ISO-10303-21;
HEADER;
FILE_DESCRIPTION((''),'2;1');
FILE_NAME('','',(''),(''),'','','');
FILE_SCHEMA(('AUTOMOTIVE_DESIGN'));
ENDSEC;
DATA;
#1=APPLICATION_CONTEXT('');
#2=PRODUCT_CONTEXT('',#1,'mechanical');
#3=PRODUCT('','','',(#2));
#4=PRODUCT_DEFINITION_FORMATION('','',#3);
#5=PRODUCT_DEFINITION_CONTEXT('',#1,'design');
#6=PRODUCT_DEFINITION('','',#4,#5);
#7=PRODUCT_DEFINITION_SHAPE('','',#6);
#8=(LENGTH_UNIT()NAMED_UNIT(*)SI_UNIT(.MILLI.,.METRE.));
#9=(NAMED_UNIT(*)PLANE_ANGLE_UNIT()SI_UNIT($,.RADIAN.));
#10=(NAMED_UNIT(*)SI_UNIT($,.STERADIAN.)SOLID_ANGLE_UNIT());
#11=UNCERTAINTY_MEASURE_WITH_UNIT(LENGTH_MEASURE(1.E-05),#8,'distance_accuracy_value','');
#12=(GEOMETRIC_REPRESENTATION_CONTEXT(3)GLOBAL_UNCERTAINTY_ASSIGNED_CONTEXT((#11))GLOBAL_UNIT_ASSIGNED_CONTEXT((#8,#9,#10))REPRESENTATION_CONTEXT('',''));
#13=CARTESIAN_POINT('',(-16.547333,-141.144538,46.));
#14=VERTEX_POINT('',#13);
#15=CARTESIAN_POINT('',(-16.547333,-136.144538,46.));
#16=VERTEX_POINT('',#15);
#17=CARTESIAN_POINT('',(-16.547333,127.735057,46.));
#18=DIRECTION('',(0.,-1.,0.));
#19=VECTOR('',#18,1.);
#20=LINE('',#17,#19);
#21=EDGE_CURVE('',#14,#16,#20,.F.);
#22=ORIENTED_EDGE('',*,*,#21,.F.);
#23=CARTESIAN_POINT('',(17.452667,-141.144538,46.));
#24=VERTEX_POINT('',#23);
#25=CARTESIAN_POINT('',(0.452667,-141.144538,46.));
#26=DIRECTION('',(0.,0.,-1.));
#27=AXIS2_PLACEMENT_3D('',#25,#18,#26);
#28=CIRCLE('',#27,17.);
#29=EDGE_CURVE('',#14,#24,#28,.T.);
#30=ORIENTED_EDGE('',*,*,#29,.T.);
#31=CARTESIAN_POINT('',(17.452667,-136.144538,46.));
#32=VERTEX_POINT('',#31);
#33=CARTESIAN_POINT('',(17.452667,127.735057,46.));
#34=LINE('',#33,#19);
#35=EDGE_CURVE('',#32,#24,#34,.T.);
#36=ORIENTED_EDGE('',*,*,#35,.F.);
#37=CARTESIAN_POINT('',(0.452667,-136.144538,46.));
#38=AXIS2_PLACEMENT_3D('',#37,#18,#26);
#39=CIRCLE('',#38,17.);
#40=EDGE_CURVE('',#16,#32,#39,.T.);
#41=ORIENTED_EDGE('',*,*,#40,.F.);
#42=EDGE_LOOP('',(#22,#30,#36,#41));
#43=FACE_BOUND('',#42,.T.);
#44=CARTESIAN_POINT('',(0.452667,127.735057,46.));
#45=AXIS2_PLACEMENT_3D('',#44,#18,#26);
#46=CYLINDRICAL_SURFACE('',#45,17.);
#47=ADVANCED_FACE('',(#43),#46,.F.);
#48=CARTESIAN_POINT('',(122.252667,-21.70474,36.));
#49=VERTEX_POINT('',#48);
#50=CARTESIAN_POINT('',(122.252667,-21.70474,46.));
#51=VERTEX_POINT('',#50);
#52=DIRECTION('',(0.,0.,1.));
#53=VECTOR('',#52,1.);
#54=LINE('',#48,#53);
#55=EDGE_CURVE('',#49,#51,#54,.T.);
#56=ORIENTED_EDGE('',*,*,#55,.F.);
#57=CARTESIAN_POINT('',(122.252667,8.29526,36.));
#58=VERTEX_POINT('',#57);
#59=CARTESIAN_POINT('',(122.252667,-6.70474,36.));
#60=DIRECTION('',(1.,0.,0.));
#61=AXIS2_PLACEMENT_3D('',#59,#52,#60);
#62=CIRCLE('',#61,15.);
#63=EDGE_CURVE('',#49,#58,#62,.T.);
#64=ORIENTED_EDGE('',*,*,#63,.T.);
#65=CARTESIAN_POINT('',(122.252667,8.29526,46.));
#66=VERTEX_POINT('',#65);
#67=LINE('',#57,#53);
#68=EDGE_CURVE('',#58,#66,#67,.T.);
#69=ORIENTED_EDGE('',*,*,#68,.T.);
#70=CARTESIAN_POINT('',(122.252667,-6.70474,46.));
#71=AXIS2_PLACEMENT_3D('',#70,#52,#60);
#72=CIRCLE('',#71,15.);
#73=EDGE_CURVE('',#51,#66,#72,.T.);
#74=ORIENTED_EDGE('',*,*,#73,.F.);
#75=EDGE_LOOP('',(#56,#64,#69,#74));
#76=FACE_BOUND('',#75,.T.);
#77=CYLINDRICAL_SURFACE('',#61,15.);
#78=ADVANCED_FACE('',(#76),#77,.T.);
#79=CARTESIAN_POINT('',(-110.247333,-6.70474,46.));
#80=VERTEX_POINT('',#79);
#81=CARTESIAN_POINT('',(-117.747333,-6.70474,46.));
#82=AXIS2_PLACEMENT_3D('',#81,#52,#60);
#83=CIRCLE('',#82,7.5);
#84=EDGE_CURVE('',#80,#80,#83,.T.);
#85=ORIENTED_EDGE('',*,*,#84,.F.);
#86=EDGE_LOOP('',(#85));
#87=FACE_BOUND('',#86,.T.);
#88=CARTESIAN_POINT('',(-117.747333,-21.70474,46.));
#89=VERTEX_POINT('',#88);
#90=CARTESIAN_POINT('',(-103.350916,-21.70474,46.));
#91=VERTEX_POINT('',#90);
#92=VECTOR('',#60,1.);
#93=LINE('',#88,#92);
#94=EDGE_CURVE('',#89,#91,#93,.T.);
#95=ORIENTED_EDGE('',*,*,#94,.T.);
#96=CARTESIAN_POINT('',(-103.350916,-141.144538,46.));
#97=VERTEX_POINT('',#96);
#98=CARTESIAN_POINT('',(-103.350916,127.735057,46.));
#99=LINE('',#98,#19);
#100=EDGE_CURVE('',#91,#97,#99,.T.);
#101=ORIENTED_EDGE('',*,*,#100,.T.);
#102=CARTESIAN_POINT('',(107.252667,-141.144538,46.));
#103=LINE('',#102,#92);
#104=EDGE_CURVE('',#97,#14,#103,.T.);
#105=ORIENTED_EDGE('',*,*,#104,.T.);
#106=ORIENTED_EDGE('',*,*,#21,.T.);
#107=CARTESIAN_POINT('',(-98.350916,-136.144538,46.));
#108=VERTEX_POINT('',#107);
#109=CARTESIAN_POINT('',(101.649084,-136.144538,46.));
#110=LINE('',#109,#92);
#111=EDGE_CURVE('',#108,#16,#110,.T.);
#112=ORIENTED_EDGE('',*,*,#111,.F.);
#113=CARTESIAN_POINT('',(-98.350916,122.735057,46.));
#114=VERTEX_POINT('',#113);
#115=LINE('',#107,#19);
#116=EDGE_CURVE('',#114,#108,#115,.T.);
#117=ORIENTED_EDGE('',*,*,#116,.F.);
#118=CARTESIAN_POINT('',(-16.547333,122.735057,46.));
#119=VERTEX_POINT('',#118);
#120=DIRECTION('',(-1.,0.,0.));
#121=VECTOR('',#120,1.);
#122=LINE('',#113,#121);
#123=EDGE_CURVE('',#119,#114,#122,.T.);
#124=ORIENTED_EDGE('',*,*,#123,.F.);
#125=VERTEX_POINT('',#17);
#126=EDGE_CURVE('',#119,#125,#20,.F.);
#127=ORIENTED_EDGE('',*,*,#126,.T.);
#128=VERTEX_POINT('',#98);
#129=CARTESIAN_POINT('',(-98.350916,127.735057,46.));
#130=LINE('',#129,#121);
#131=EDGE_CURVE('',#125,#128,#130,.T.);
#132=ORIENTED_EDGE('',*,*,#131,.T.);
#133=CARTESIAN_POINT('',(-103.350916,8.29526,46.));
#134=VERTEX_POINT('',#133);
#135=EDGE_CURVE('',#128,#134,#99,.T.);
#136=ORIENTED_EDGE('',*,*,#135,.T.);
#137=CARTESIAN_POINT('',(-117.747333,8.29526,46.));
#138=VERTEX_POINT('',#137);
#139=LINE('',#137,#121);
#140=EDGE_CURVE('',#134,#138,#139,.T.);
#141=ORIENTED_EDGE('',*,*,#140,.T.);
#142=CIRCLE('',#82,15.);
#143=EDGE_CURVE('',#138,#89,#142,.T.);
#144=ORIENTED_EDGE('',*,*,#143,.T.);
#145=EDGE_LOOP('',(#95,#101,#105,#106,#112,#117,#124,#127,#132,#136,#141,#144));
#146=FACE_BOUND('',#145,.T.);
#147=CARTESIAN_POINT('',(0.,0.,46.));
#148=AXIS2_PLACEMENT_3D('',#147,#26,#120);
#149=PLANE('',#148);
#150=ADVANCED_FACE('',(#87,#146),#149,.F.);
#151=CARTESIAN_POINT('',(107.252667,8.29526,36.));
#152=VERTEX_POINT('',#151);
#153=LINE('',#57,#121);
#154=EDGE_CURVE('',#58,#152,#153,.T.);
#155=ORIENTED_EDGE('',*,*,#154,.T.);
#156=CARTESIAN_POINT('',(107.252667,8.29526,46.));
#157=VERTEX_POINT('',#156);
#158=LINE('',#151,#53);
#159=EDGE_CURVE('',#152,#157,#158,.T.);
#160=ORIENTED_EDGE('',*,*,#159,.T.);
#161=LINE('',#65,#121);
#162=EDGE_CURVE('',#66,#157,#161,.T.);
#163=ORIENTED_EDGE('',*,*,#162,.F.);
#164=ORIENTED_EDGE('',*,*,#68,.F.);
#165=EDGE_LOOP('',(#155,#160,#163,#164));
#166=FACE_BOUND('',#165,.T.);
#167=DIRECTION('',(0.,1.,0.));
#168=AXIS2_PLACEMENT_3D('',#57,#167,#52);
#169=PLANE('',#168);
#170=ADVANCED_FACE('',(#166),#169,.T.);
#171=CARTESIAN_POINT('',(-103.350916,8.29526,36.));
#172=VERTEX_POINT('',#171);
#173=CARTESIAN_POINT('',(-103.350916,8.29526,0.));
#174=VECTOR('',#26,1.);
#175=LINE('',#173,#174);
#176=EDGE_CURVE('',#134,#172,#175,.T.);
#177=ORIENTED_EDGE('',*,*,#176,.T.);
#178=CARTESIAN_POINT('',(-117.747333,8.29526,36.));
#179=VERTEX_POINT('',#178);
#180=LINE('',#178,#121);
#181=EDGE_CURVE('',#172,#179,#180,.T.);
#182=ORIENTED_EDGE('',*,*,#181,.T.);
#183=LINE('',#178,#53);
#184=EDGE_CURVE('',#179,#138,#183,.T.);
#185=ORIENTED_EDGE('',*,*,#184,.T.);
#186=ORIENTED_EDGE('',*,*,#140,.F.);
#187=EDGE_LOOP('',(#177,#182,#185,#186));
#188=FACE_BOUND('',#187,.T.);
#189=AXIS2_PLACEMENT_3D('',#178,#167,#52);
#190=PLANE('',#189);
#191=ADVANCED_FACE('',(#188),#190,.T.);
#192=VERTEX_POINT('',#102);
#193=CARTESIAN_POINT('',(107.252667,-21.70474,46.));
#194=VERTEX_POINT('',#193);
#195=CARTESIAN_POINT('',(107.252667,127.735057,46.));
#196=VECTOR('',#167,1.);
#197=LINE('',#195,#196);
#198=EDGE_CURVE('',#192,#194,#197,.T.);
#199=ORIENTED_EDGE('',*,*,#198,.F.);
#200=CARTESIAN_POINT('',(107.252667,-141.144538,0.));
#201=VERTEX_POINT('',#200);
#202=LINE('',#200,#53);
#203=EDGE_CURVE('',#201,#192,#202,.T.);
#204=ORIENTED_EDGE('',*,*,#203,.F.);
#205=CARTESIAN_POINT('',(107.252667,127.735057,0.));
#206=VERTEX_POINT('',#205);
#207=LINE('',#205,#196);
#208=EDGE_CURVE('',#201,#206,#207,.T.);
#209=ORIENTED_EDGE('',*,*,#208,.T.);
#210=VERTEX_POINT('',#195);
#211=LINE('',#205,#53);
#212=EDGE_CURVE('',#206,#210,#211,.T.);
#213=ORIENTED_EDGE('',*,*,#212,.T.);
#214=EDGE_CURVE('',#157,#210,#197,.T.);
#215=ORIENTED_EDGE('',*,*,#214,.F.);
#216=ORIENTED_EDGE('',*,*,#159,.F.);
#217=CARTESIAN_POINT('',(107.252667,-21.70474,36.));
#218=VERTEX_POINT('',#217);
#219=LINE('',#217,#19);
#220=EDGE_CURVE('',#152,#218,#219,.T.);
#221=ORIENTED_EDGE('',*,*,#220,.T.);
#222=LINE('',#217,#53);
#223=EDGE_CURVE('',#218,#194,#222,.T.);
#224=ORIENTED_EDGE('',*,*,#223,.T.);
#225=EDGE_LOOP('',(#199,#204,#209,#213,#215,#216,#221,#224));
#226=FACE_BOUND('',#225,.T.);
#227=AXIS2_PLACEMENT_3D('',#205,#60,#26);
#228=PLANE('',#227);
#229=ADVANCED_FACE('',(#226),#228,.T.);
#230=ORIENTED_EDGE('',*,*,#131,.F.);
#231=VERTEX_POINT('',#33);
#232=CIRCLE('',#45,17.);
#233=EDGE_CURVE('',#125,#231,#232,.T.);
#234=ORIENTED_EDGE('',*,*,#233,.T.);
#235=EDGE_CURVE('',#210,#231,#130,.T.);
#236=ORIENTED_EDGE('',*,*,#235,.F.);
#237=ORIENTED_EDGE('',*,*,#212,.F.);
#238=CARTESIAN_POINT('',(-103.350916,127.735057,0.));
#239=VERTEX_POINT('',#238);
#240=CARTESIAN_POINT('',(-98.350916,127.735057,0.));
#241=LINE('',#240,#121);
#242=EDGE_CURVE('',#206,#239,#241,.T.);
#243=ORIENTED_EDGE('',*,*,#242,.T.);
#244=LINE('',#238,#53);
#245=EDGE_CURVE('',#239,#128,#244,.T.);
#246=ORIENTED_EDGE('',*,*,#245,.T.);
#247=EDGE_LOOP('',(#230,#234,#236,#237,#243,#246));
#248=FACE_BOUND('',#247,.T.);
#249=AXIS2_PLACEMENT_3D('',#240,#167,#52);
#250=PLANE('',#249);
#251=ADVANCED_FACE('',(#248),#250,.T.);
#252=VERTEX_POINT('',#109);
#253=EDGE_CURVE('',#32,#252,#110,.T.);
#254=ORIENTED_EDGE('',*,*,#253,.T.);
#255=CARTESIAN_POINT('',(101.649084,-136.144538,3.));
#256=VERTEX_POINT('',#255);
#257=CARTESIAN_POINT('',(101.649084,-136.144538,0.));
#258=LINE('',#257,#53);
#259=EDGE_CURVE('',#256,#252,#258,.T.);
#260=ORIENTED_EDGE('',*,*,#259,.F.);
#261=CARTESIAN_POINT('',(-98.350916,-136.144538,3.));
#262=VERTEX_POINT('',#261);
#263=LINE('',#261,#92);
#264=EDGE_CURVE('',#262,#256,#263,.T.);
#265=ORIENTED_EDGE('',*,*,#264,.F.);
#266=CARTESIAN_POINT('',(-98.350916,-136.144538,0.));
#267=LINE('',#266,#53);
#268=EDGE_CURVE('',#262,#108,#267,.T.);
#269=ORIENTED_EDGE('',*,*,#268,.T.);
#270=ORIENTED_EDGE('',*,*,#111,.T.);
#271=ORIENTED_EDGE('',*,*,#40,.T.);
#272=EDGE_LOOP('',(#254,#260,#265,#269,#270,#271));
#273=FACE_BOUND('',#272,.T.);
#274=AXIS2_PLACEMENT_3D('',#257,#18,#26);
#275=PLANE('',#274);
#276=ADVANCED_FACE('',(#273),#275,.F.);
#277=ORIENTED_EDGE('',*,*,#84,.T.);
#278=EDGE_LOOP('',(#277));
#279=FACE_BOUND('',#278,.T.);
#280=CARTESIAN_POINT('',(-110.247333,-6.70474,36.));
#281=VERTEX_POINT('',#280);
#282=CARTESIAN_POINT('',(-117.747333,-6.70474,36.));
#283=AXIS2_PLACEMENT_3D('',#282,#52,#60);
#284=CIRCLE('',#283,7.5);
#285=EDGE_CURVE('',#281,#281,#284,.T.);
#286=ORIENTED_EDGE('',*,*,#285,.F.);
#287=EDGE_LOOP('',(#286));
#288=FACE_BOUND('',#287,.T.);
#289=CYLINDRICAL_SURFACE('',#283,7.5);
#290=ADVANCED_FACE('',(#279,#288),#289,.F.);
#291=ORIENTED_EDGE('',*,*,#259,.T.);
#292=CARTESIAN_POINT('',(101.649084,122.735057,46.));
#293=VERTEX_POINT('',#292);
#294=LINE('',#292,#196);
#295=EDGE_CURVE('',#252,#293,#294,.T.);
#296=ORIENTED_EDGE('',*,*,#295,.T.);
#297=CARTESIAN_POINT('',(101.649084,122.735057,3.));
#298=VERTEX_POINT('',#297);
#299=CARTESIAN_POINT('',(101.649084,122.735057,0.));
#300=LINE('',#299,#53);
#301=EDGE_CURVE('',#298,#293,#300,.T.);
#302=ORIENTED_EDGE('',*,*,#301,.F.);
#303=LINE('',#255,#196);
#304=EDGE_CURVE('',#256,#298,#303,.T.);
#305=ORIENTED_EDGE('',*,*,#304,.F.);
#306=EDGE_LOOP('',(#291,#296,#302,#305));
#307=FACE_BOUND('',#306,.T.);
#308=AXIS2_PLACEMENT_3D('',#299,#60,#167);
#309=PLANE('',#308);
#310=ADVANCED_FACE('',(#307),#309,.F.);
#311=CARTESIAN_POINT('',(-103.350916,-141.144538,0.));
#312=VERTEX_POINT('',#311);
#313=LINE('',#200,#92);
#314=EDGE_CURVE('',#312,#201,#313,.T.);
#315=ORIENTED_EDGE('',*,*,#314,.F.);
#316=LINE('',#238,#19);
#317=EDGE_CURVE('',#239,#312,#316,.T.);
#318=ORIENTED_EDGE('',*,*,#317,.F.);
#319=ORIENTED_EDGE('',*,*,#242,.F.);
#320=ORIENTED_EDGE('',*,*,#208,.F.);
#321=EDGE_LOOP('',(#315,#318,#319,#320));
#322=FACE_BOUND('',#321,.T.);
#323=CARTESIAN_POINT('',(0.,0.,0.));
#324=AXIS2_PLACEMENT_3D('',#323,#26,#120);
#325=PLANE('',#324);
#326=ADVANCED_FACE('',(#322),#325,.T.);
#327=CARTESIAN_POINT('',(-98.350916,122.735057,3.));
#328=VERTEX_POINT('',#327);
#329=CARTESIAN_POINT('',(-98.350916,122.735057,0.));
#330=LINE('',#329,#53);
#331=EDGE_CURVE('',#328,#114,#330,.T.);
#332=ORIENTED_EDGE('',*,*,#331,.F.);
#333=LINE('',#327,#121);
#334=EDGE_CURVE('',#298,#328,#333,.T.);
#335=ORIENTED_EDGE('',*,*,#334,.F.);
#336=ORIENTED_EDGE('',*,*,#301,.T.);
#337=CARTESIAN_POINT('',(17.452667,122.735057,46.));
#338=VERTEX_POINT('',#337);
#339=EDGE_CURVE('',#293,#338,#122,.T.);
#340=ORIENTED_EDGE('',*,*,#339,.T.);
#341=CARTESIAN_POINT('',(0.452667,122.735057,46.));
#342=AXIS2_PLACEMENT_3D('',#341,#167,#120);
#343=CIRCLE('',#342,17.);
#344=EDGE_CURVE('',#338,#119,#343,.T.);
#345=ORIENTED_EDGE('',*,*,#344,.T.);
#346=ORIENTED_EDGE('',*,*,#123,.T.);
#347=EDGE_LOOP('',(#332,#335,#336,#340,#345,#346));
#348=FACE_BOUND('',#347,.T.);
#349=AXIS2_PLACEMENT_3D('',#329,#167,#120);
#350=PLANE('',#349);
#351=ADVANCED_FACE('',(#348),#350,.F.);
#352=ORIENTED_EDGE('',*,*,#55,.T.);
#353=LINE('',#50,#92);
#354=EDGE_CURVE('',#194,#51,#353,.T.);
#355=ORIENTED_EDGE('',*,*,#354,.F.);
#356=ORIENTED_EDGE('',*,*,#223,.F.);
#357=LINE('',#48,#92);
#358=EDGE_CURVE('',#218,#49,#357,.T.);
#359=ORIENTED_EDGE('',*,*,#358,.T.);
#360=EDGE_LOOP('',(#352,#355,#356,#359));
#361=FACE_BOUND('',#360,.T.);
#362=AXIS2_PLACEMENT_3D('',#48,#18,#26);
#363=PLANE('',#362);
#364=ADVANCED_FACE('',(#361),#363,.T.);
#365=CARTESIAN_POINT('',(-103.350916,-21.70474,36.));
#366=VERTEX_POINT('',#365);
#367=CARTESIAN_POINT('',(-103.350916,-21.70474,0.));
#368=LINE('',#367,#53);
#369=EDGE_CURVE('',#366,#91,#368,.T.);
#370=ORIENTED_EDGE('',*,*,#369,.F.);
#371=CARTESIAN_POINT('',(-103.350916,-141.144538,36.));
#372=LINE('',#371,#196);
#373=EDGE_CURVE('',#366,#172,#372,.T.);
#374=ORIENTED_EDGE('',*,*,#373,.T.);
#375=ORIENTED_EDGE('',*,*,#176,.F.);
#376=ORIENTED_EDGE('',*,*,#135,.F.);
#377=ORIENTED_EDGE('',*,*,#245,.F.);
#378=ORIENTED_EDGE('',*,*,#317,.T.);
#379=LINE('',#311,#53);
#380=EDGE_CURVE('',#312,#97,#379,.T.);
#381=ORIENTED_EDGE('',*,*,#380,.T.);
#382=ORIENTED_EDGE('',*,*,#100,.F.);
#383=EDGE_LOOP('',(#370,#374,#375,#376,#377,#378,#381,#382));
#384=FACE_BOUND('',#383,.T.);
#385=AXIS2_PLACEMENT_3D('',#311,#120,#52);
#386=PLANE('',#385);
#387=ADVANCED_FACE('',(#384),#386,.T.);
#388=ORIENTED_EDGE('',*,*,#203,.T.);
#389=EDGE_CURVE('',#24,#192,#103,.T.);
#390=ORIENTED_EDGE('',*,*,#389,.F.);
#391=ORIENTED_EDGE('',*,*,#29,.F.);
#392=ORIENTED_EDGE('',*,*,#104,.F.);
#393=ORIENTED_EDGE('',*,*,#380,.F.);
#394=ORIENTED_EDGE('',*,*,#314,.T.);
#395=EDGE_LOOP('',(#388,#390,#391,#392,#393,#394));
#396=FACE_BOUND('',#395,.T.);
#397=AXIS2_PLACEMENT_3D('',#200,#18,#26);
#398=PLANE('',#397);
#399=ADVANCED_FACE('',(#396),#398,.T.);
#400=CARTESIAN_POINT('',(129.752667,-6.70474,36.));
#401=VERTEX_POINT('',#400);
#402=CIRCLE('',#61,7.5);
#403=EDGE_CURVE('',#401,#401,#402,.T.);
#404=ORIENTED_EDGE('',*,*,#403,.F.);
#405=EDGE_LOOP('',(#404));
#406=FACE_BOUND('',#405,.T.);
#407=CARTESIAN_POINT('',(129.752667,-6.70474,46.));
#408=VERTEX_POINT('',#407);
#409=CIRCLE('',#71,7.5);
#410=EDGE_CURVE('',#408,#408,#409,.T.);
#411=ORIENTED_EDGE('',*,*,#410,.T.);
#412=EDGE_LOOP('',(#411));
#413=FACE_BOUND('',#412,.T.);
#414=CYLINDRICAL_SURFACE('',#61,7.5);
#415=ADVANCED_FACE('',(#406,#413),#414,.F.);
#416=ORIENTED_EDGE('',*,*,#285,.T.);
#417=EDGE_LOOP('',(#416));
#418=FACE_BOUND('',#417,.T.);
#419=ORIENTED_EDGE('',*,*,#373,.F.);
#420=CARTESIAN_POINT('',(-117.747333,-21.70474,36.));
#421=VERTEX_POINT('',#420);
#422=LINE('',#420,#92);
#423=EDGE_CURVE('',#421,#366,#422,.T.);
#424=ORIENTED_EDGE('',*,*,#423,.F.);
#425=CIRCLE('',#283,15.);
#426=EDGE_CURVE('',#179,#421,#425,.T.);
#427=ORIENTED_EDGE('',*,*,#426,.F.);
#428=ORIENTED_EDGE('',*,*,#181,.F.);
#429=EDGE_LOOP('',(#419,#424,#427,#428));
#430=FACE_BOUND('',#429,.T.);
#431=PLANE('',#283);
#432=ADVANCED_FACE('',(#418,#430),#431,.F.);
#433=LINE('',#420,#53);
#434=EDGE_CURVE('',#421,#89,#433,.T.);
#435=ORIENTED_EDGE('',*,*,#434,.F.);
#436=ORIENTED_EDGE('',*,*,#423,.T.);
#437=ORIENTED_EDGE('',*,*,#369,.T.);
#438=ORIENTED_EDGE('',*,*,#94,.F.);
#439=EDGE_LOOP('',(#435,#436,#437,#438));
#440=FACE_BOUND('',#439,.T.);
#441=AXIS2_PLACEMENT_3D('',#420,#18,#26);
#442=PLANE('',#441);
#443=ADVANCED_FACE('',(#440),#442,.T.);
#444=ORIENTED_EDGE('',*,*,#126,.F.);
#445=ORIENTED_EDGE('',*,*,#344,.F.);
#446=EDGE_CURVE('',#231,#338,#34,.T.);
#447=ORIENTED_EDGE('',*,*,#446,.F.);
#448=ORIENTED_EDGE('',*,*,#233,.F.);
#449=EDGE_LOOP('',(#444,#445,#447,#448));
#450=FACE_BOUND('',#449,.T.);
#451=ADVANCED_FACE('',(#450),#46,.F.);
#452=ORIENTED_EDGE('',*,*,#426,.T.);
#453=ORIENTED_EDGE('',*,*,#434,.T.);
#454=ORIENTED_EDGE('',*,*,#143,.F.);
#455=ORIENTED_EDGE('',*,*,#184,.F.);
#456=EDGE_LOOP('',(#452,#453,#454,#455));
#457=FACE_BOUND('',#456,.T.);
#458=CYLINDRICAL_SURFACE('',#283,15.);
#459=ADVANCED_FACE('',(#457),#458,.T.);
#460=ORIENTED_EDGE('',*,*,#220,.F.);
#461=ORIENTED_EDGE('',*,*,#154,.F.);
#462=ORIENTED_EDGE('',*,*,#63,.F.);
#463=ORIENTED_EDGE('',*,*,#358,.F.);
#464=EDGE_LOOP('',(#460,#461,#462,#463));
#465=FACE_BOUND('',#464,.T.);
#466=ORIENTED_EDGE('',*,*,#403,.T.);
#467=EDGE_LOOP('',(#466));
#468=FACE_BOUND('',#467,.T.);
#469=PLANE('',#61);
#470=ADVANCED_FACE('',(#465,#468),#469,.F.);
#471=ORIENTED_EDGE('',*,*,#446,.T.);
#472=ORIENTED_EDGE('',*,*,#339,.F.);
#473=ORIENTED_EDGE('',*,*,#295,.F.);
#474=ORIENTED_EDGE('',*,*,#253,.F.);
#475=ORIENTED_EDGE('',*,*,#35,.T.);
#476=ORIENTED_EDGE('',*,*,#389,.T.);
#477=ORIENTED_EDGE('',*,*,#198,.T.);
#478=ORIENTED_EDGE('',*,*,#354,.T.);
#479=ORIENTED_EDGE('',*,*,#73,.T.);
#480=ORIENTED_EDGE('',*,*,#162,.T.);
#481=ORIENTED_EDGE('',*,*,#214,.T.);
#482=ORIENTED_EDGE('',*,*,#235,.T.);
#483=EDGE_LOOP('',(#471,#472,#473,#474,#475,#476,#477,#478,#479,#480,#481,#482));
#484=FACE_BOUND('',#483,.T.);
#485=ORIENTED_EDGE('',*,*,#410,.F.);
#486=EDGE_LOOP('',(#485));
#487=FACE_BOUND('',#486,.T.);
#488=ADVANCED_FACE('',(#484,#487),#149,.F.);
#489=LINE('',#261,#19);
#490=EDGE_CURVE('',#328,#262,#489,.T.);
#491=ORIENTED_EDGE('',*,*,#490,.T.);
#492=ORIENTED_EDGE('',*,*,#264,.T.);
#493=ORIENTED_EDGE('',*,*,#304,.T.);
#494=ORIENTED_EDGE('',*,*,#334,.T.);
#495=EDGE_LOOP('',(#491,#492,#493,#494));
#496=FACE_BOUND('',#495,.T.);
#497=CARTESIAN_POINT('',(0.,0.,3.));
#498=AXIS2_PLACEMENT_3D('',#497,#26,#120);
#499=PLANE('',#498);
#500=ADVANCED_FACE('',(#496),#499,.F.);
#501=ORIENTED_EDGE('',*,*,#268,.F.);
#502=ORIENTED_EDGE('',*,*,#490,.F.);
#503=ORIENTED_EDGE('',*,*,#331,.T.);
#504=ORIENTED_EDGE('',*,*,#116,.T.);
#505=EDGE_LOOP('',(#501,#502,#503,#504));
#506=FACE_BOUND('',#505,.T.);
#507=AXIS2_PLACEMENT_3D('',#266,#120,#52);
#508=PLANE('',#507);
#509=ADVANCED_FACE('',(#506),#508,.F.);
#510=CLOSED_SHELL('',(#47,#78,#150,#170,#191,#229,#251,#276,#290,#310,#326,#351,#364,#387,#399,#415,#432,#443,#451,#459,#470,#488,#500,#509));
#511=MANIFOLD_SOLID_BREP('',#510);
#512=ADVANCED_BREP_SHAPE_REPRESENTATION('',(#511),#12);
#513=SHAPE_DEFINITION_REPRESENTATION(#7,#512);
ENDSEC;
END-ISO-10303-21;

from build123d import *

# Parameters (mm, degrees)
SKETCH2_W                = 200
SKETCH2_H                = 258.87959476
BOSS_EXTRUDE1_DEPTH      = 3
SKETCH6_W                = 200
SKETCH6_H                = 258.87959476
BOSS_EXTRUDE2_DEPTH      = 43
BOSS_EXTRUDE2_DEPTH_BACK = 3
SKETCH7_R                = 17
CUT_EXTRUDE1_DEPTH       = 1
CUT_EXTRUDE1_DEPTH_BACK  = 269.87959476
SKETCH9_R                = 7.5
BOSS_EXTRUDE3_DEPTH      = 10


with BuildPart() as part:
    # Sketch2 → Boss-Extrude1 (new body)
    with BuildSketch(Plane(origin=(0, 0, 0), x_dir=(-1, 0, 0), z_dir=(0, 0, 1))):
        with Locations((-1.649083583, 6.704740248)):
            Rectangle(SKETCH2_W, SKETCH2_H)
    extrude(amount=BOSS_EXTRUDE1_DEPTH)

    # Sketch6 → Boss-Extrude2 (add, two sides)
    with BuildSketch(Plane.XY.offset(3)) as boss_extrude2_sk:
        Polygon((-98.350916417, 127.735057132), (-103.350916417, 127.735057132), (-103.350916417, 122.735057132), (-103.350916417, -141.144537628), (107.252666614, -141.144537628), (107.252666614, 127.735057132), align=None)
        with Locations((1.649083583, -6.704740248)):
            Rectangle(SKETCH6_W, SKETCH6_H, mode=Mode.SUBTRACT)
    extrude(amount=BOSS_EXTRUDE2_DEPTH)
    extrude(boss_extrude2_sk.sketch, amount=-BOSS_EXTRUDE2_DEPTH_BACK)

    # Sketch7 → Cut-Extrude1 (cut, two sides)
    with BuildSketch(Plane.XZ.offset(141.144537628)) as cut_extrude1_sk:
        with Locations((0.452666614, 46)):
            Circle(SKETCH7_R)
    extrude(amount=CUT_EXTRUDE1_DEPTH, mode=Mode.SUBTRACT)
    extrude(cut_extrude1_sk.sketch, amount=-CUT_EXTRUDE1_DEPTH_BACK, mode=Mode.SUBTRACT)

    # Sketch9 → Boss-Extrude3 (add)
    with BuildSketch(Plane.XY.offset(46)):
        with BuildLine():
            Line((107.252666614, 8.295259752), (107.252666614, -6.704740248))
            Line((107.252666614, -6.704740248), (107.252666614, -21.704740248))
            Line((107.252666614, -21.704740248), (122.252666614, -21.704740248))
            ThreePointArc((122.252666614, -21.704740248), (137.252666614, -6.704740248), (122.252666614, 8.295259752))
            Line((122.252666614, 8.295259752), (107.252666614, 8.295259752))
        make_face()
        with Locations((122.252666614, -6.704740248)):
            Circle(SKETCH9_R, mode=Mode.SUBTRACT)
        with BuildLine():
            Line((-102.747333386, -21.704740248), (-102.747333386, -6.704740248))
            Line((-102.747333386, -6.704740248), (-102.747333386, 8.295259752))
            Line((-102.747333386, 8.295259752), (-117.747333386, 8.295259752))
            ThreePointArc((-117.747333386, 8.295259752), (-132.747333386, -6.704740248), (-117.747333386, -21.704740248))
            Line((-117.747333386, -21.704740248), (-102.747333386, -21.704740248))
        make_face()
        with Locations((-117.747333386, -6.704740248)):
            Circle(SKETCH9_R, mode=Mode.SUBTRACT)
    extrude(amount=-BOSS_EXTRUDE3_DEPTH)


solid = part.part
